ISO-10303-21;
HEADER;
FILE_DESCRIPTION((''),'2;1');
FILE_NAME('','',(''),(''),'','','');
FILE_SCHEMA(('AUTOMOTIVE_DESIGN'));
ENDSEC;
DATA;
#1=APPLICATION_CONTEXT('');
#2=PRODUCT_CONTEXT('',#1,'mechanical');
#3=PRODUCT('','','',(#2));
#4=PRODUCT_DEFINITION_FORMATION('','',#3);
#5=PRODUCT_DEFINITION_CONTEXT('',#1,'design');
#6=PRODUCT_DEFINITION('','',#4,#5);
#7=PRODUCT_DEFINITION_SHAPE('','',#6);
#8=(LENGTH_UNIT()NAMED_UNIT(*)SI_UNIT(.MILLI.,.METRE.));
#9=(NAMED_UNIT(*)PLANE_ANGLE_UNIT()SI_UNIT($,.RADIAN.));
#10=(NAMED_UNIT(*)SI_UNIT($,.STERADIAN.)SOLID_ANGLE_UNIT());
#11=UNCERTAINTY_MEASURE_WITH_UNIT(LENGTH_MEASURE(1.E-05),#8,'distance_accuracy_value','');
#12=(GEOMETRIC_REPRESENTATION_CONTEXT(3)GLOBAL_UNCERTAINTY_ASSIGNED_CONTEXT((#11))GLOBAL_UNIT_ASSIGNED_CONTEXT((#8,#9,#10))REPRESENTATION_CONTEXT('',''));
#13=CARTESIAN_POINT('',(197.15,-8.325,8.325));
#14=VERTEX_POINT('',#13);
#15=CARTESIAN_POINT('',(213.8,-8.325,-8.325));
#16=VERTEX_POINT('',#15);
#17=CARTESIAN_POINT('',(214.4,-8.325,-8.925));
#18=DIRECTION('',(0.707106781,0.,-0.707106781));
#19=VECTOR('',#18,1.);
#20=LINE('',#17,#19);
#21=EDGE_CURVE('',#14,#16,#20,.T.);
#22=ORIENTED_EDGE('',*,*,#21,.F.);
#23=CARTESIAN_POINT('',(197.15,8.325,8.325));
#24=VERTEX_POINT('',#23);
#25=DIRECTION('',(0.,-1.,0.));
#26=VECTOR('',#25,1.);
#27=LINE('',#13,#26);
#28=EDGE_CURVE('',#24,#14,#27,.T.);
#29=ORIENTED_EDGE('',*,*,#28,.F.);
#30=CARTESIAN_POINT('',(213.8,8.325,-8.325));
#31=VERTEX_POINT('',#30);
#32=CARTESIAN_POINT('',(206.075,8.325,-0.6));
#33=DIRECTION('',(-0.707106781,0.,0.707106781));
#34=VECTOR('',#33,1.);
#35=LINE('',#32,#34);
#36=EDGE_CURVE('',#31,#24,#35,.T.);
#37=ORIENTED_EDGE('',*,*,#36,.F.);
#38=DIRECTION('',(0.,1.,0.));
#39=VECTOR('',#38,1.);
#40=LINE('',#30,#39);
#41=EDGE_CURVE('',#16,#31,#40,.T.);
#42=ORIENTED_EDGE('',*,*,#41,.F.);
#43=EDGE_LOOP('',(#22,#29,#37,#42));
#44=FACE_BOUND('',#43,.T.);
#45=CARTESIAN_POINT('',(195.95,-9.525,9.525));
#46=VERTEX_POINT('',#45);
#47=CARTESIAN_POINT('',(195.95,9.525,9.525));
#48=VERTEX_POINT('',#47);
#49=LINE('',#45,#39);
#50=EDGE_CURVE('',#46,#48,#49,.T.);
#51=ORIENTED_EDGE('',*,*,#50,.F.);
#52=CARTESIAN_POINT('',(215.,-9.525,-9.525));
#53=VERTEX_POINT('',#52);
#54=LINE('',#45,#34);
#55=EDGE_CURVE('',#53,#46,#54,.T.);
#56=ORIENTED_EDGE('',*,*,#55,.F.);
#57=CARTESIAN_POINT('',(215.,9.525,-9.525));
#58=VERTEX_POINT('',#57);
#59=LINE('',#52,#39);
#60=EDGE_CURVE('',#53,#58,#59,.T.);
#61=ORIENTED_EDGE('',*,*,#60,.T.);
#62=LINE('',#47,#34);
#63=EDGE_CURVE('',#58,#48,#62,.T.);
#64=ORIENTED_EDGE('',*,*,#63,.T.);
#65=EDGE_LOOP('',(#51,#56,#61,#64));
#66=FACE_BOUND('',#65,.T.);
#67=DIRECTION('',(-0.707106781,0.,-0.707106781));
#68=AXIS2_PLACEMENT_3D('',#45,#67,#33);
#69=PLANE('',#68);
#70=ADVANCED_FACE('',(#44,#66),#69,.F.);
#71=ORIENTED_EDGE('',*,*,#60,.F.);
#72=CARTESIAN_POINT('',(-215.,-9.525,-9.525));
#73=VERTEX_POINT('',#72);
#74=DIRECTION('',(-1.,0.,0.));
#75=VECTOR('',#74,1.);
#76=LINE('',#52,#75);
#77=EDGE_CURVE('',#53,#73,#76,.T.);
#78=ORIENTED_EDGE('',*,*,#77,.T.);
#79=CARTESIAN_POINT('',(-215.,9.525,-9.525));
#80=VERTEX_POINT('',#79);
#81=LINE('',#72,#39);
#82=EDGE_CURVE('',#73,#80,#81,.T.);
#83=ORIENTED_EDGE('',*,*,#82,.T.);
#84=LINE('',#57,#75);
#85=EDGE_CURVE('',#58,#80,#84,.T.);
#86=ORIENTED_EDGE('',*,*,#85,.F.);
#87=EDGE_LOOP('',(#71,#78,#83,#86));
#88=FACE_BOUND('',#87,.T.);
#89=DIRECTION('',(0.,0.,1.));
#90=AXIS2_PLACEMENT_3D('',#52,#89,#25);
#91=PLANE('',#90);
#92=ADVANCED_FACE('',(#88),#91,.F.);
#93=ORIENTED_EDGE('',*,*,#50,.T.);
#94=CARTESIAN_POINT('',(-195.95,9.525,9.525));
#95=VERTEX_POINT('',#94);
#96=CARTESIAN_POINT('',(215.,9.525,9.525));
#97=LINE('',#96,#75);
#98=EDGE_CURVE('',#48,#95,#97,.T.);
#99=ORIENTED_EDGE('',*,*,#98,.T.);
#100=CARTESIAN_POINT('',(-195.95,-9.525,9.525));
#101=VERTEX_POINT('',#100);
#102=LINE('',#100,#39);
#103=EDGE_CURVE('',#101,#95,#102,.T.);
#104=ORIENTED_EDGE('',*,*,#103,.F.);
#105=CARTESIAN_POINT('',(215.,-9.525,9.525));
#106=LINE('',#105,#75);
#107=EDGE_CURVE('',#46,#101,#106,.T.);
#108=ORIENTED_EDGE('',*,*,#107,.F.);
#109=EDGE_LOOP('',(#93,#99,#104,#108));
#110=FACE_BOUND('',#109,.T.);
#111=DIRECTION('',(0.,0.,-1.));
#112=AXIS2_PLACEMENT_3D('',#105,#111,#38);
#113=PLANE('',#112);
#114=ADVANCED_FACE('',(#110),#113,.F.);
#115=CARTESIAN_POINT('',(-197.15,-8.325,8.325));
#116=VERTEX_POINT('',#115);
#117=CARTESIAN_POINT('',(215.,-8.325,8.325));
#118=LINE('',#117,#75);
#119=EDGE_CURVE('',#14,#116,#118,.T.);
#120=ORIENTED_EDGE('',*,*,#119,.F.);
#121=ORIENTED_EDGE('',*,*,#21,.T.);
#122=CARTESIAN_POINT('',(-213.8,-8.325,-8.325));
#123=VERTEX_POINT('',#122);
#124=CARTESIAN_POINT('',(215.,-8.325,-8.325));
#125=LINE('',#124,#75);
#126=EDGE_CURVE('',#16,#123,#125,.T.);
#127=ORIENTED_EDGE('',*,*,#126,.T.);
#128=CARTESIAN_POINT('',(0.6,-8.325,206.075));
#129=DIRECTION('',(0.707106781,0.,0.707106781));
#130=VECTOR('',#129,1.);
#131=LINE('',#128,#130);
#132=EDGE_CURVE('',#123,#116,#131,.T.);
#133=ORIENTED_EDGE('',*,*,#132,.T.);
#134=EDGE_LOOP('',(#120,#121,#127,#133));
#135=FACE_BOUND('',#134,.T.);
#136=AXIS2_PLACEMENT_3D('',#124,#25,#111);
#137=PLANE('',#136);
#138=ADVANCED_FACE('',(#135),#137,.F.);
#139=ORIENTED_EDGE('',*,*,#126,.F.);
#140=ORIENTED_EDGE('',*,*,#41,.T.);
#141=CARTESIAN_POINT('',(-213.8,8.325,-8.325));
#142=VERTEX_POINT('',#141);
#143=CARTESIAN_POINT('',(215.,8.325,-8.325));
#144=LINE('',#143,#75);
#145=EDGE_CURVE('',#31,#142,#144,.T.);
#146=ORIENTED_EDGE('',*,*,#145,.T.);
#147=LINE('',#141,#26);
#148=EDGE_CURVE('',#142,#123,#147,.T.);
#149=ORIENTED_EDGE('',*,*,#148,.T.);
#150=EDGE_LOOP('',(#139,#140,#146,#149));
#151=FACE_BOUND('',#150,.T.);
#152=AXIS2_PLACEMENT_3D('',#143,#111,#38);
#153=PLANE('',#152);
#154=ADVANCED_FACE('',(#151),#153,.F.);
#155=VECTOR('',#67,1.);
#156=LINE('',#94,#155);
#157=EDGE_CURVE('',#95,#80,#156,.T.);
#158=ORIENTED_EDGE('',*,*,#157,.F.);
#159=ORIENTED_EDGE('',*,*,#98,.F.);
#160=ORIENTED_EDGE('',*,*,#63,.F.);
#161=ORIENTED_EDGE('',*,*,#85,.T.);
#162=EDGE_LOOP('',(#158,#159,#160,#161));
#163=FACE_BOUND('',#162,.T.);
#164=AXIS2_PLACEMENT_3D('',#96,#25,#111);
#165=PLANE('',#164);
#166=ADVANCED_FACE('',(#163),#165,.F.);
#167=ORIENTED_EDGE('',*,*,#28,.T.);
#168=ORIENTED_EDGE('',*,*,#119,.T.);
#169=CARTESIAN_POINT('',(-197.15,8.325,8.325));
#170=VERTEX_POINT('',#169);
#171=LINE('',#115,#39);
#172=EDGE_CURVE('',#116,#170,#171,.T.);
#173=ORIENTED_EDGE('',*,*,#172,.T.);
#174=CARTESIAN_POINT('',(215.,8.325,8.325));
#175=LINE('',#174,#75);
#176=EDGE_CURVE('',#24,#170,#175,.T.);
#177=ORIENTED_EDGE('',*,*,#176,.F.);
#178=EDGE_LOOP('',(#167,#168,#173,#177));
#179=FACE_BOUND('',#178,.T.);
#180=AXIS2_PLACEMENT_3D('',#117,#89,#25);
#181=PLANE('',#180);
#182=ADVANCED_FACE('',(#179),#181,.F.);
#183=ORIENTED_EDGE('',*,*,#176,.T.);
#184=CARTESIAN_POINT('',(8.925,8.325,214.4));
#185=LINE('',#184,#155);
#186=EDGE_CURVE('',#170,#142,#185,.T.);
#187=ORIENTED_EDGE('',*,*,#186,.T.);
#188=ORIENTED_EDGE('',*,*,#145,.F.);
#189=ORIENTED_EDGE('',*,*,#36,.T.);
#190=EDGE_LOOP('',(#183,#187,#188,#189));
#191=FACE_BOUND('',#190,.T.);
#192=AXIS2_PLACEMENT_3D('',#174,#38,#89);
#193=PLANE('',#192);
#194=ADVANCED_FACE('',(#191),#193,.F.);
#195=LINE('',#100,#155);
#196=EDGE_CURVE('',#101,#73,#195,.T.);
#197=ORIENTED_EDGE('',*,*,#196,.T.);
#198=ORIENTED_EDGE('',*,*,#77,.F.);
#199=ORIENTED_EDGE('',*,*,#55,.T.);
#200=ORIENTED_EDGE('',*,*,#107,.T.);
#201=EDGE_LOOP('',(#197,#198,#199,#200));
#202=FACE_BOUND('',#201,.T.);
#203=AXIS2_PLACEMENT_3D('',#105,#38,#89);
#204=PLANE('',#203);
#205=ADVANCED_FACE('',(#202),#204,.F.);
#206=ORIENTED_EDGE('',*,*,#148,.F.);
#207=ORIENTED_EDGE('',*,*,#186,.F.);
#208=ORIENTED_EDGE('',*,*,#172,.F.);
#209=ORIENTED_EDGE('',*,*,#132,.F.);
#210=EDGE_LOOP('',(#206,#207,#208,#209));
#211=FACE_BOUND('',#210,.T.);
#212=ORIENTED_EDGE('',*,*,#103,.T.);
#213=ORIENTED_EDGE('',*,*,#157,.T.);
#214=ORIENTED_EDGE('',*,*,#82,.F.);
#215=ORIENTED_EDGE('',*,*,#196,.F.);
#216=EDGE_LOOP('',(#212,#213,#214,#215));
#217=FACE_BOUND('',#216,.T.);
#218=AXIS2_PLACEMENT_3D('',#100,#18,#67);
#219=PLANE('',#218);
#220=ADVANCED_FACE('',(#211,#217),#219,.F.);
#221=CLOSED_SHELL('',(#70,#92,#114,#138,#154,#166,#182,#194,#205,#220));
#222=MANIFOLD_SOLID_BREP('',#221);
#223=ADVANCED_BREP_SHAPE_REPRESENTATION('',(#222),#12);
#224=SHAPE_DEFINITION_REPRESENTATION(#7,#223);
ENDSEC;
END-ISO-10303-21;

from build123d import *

# Parameters (mm, degrees)
SKETCH1_W               = 19.05
SKETCH1_H               = 19.05
BOSS_EXTRUDE1_DEPTH     = 215
SKETCH2_W               = 16.65
SKETCH2_H               = 16.65
CUT_EXTRUDE1_DEPTH      = 431.210938087
CUT_EXTRUDE2_DEPTH      = 216.421566353
CUT_EXTRUDE2_DEPTH_BACK = 216.421566353


with BuildPart() as part:
    # Sketch1 → Boss-Extrude1 (new, symmetric)
    with BuildSketch(Plane(origin=(0, 0, 0), x_dir=(0, 0, -1), z_dir=(1, 0, 0))):
        Rectangle(SKETCH1_W, SKETCH1_H)
    extrude(amount=BOSS_EXTRUDE1_DEPTH, both=True)

    # Sketch2 → Cut-Extrude1 (cut, through all)
    with BuildSketch(Plane.ZY.offset(215)):
        Rectangle(SKETCH2_W, SKETCH2_H)
    extrude(amount=-CUT_EXTRUDE1_DEPTH, mode=Mode.SUBTRACT)

    # Sketch3 → Cut-Extrude2 (cut, two sides: drawn at the far end of the back side and taken through both)
    with BuildSketch(Plane(origin=(0, 0, 0), x_dir=(1, 0, 0), z_dir=(0, 1, 0)).offset(-CUT_EXTRUDE2_DEPTH_BACK)):
        Polygon((-215, 9.525), (-215, -9.525), (-195.95, -9.525), align=None)
        Polygon((215, -9.525), (195.95, -9.525), (215, 9.525), align=None)
    extrude(amount=CUT_EXTRUDE2_DEPTH + CUT_EXTRUDE2_DEPTH_BACK, mode=Mode.SUBTRACT)


solid = part.part
